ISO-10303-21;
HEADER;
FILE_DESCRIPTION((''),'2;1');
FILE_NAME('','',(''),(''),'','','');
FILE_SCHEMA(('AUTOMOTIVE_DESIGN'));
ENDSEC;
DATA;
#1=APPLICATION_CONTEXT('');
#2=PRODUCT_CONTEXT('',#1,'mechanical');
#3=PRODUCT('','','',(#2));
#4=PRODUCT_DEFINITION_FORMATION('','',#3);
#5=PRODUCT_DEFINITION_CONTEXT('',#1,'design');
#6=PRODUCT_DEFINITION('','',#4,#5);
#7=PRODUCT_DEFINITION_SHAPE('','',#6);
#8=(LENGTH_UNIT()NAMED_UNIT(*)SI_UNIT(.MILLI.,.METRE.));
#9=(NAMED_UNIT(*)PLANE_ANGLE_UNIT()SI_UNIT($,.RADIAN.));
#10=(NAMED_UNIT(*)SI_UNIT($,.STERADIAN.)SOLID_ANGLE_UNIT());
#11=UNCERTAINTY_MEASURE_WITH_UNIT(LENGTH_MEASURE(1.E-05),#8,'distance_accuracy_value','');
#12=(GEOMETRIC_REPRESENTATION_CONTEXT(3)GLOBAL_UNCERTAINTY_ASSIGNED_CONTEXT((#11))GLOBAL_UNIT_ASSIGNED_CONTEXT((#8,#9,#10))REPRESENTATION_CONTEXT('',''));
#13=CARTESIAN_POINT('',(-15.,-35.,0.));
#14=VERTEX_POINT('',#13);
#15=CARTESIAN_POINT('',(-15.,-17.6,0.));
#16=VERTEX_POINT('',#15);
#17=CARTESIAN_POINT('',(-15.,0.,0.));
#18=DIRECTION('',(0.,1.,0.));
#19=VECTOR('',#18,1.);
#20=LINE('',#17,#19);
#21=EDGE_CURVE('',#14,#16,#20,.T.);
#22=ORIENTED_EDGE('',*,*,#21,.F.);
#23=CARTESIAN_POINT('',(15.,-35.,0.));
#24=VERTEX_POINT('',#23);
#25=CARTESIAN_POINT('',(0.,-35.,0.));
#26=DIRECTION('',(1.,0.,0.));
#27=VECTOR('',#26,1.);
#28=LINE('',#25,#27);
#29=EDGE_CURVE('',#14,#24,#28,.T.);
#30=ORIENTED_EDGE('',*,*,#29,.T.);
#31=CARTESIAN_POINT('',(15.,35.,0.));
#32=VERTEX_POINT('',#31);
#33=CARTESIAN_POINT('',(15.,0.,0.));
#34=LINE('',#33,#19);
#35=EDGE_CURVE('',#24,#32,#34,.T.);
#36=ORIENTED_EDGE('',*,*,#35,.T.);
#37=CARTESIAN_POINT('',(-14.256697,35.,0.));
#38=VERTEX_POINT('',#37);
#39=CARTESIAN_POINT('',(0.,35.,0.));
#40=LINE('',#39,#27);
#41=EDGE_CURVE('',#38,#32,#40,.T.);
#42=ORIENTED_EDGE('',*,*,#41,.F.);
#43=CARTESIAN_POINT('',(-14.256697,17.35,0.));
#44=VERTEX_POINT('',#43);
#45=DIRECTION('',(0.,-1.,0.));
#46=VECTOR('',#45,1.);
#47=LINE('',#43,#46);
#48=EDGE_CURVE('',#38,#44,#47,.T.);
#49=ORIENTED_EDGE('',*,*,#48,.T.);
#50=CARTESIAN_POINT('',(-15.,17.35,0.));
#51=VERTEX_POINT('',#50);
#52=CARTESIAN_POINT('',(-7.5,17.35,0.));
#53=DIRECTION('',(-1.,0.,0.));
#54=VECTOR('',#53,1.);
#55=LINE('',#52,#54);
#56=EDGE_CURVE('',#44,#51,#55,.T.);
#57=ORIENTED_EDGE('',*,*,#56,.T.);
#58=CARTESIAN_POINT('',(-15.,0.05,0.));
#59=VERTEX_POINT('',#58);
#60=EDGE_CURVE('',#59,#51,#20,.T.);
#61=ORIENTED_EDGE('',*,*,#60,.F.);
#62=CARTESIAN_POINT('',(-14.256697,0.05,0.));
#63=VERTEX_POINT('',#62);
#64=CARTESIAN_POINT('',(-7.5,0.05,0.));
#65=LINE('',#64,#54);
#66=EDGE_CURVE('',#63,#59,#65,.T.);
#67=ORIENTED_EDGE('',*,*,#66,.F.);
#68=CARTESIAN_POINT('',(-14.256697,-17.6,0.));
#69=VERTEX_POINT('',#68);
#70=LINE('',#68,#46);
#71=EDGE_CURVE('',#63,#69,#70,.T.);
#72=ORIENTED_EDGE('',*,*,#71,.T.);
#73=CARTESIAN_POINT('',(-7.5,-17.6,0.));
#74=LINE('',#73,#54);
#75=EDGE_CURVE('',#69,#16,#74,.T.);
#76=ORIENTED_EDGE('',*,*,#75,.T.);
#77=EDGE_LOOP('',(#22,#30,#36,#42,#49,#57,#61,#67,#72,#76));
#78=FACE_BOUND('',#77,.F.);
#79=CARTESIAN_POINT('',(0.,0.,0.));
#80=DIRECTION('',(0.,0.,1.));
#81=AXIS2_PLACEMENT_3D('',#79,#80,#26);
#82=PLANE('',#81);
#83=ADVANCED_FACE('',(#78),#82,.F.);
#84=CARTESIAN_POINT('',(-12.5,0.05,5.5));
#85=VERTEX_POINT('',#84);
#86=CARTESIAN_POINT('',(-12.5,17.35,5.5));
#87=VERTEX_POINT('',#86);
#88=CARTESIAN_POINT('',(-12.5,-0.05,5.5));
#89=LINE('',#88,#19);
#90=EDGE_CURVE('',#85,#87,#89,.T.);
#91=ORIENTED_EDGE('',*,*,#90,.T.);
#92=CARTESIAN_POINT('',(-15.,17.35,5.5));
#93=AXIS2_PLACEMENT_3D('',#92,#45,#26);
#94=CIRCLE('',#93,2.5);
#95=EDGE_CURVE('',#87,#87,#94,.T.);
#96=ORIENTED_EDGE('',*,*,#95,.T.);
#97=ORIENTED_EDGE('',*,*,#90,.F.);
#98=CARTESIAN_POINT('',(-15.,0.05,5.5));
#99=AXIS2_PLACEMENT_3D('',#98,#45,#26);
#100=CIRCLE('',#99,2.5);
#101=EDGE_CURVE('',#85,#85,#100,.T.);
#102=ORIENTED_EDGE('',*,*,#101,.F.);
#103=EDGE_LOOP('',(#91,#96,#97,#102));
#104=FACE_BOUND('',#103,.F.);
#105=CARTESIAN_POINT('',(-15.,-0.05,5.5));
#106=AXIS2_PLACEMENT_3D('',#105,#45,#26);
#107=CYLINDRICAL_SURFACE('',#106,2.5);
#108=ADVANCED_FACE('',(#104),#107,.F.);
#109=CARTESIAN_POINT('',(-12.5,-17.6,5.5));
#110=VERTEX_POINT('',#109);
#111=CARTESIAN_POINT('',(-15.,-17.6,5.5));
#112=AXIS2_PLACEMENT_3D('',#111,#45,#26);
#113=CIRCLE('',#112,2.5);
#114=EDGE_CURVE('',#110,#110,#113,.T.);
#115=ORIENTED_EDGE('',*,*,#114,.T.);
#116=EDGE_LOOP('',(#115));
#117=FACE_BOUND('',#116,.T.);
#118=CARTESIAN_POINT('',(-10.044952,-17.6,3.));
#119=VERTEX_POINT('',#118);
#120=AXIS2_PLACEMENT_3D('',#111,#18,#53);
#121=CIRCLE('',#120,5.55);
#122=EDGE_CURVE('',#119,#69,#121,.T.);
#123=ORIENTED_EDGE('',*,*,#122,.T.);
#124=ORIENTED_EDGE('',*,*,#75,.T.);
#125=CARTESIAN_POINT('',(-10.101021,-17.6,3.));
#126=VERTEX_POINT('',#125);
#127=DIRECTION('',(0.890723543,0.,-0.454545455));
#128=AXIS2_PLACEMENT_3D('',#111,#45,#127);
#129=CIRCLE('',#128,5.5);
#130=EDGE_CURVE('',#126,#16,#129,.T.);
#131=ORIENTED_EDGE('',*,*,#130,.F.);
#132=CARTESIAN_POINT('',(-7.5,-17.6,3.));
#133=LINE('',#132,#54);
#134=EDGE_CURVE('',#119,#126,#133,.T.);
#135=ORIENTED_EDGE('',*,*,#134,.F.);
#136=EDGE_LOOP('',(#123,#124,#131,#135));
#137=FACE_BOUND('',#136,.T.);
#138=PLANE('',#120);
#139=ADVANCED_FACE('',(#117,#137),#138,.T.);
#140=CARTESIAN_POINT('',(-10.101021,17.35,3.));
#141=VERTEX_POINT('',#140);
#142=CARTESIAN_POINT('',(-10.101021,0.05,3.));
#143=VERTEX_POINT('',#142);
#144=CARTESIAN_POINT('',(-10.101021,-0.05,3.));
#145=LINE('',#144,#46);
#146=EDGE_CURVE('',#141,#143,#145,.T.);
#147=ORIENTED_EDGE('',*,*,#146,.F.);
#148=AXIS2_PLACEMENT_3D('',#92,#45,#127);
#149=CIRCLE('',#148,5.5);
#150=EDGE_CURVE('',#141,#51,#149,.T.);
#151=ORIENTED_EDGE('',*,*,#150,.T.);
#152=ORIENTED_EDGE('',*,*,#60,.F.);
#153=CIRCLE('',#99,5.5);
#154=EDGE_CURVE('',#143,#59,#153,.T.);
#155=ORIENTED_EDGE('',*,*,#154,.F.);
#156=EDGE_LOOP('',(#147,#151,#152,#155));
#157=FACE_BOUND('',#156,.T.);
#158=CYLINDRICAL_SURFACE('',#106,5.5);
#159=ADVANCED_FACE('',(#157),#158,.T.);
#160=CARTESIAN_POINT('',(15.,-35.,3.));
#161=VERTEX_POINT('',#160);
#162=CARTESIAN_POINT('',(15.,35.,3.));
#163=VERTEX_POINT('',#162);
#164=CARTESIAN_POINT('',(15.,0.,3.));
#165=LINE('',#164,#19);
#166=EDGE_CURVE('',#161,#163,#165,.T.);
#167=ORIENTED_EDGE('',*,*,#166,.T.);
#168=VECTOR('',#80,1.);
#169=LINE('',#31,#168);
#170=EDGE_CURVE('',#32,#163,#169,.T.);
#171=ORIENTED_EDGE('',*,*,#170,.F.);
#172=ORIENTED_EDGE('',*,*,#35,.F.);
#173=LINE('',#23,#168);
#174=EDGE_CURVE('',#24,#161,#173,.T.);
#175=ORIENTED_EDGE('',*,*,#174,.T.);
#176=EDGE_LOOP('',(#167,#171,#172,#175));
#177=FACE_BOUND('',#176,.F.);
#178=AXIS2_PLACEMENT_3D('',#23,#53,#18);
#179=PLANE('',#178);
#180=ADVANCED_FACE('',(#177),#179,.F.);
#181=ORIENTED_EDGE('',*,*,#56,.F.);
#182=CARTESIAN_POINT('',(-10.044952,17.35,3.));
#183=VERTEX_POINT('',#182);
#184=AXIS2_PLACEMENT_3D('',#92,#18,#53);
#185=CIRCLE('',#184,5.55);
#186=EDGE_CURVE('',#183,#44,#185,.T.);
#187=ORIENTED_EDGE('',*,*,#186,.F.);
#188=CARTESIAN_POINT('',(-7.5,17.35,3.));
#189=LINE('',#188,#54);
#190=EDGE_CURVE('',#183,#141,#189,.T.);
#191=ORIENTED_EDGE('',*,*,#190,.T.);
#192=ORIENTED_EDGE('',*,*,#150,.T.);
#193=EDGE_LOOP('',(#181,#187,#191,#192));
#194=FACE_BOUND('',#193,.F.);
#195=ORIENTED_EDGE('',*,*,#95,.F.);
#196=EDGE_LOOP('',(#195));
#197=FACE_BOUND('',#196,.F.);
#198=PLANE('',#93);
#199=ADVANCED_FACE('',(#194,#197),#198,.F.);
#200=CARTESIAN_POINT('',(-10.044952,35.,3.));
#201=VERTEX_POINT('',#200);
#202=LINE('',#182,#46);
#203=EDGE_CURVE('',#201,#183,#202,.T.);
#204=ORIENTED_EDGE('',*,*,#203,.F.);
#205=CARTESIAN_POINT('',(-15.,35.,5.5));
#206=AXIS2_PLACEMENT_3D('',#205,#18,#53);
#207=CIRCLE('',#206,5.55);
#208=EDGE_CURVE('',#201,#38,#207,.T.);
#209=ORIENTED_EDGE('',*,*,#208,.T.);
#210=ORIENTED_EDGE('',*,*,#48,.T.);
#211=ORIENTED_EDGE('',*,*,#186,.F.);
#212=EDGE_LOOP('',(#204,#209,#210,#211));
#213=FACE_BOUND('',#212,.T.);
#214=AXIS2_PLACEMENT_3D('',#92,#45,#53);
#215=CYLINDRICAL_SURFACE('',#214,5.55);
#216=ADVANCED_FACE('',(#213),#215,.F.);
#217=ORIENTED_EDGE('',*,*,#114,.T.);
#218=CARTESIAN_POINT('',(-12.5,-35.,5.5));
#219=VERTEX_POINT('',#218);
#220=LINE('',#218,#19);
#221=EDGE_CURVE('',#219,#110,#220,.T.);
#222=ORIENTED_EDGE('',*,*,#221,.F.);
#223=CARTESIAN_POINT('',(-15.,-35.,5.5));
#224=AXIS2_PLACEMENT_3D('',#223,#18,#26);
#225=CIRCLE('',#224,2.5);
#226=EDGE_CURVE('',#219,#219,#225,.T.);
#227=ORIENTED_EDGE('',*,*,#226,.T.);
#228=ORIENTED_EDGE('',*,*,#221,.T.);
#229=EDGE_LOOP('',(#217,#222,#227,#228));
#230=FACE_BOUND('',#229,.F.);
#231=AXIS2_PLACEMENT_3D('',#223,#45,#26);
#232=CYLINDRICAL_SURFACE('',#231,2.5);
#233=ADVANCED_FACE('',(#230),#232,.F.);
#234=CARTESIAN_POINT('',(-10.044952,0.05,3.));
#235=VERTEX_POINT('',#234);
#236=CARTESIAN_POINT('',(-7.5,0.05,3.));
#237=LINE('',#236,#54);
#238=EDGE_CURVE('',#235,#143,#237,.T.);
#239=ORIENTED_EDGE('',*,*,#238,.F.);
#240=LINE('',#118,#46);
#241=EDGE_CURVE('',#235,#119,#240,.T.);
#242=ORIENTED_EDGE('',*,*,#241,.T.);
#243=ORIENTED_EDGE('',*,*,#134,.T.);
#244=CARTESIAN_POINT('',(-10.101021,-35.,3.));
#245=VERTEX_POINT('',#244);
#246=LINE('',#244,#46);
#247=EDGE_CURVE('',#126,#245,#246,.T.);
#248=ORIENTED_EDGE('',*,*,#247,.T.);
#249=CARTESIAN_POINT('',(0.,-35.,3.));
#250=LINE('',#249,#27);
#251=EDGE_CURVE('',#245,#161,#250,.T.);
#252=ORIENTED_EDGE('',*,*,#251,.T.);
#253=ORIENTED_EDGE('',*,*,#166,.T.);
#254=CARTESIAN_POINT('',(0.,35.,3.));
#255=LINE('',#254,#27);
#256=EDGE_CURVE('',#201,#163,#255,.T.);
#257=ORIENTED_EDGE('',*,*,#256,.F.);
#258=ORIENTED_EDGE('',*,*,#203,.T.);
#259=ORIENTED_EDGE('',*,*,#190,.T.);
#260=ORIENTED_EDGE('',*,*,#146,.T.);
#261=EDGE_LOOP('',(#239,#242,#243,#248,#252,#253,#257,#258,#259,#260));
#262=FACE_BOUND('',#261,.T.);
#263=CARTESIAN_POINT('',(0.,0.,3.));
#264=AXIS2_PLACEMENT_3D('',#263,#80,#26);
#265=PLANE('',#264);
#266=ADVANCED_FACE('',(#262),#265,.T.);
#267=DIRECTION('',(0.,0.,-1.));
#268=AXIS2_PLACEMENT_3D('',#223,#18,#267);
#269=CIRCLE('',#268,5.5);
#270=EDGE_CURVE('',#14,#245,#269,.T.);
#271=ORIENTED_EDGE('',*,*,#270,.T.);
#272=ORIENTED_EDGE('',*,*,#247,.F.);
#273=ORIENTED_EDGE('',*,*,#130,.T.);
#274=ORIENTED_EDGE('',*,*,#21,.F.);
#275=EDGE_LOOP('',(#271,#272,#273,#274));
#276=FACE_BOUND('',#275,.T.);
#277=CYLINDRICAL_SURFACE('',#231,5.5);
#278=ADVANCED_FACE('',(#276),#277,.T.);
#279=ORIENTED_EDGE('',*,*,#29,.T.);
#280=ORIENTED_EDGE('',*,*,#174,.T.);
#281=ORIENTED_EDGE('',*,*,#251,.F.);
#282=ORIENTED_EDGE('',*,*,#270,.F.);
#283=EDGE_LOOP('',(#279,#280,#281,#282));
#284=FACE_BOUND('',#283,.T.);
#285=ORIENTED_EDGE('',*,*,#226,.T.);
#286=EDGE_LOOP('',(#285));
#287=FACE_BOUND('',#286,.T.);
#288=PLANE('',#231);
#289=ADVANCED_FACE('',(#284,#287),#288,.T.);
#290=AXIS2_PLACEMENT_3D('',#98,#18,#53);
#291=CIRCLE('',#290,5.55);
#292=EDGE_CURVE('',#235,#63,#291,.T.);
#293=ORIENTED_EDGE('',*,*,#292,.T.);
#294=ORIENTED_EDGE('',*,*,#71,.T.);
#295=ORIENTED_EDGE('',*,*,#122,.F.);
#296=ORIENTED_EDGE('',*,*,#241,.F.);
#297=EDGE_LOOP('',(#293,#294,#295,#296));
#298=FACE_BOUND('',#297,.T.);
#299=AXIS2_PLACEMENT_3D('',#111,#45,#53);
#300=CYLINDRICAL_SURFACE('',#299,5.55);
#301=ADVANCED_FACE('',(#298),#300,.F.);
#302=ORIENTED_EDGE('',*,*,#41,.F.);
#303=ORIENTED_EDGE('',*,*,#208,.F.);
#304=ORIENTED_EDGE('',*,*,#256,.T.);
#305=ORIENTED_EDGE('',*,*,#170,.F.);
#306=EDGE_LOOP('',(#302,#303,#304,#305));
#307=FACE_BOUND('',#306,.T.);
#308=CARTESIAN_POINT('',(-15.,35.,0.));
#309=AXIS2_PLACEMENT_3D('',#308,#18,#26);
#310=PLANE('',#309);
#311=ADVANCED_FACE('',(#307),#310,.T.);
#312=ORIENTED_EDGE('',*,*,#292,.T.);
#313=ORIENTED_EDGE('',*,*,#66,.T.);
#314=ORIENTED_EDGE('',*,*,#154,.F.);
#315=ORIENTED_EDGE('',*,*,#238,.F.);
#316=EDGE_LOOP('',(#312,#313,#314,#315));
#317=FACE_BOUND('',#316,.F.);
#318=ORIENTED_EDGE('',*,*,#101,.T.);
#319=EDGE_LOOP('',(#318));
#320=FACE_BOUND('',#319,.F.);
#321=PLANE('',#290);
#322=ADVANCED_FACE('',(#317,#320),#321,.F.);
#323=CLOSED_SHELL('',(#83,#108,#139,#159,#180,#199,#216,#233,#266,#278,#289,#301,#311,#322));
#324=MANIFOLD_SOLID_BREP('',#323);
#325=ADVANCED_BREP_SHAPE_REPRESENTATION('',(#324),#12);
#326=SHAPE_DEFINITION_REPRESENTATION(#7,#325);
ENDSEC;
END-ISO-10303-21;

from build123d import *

# Parameters (mm, degrees)
SKETCH_W            = 30
SKETCH_H            = 70
PAD_DEPTH           = 3
SKETCH001_R         = 5.5
SKETCH001_R_2       = 2.5
PAD001_DEPTH        = 17.4
LINEARPATTERN_COUNT = 2
LINEARPATTERN_PITCH = 34.95
SKETCH006_R         = 5.55
POCKET_DEPTH        = 17.65
SKETCH007_R         = 5.55
POCKET003_DEPTH     = 17.65


with BuildPart() as part:
    # Sketch → Pad (new body)
    with BuildSketch(Plane.XY):
        Rectangle(SKETCH_W, SKETCH_H)
    extrude(amount=PAD_DEPTH)

    # Sketch001 (on Face1 of Pad) → Pad001 (join)
    with BuildSketch(Plane.XZ.offset(35)):
        with Locations((-15, 5.5)):
            Circle(SKETCH001_R)
        with Locations((-15, 5.5)):
            Circle(SKETCH001_R_2, mode=Mode.SUBTRACT)
    pad001 = extrude(amount=-PAD001_DEPTH)

    # LinearPattern: Pad001 ×2
    with Locations(*[(0, i * LINEARPATTERN_PITCH, 0) for i in range(1, LINEARPATTERN_COUNT)]):
        add(pad001)

    # Sketch006 (on Face12 of MultiTransform) → Pocket (cut)
    with BuildSketch(Plane(origin=(0, -17.6, 0), x_dir=(-1, 0, 0), z_dir=(0, 1, 0))):
        with Locations((15, 5.5)):
            Circle(SKETCH006_R)
    extrude(amount=POCKET_DEPTH, mode=Mode.SUBTRACT)

    # Sketch007 (on Face12 of Pocket) → Pocket003 (cut)
    with BuildSketch(Plane(origin=(0, 17.35, 0), x_dir=(-1, 0, 0), z_dir=(0, 1, 0))):
        with Locations((15, 5.5)):
            Circle(SKETCH007_R)
    extrude(amount=POCKET003_DEPTH, mode=Mode.SUBTRACT)


solid = part.part
